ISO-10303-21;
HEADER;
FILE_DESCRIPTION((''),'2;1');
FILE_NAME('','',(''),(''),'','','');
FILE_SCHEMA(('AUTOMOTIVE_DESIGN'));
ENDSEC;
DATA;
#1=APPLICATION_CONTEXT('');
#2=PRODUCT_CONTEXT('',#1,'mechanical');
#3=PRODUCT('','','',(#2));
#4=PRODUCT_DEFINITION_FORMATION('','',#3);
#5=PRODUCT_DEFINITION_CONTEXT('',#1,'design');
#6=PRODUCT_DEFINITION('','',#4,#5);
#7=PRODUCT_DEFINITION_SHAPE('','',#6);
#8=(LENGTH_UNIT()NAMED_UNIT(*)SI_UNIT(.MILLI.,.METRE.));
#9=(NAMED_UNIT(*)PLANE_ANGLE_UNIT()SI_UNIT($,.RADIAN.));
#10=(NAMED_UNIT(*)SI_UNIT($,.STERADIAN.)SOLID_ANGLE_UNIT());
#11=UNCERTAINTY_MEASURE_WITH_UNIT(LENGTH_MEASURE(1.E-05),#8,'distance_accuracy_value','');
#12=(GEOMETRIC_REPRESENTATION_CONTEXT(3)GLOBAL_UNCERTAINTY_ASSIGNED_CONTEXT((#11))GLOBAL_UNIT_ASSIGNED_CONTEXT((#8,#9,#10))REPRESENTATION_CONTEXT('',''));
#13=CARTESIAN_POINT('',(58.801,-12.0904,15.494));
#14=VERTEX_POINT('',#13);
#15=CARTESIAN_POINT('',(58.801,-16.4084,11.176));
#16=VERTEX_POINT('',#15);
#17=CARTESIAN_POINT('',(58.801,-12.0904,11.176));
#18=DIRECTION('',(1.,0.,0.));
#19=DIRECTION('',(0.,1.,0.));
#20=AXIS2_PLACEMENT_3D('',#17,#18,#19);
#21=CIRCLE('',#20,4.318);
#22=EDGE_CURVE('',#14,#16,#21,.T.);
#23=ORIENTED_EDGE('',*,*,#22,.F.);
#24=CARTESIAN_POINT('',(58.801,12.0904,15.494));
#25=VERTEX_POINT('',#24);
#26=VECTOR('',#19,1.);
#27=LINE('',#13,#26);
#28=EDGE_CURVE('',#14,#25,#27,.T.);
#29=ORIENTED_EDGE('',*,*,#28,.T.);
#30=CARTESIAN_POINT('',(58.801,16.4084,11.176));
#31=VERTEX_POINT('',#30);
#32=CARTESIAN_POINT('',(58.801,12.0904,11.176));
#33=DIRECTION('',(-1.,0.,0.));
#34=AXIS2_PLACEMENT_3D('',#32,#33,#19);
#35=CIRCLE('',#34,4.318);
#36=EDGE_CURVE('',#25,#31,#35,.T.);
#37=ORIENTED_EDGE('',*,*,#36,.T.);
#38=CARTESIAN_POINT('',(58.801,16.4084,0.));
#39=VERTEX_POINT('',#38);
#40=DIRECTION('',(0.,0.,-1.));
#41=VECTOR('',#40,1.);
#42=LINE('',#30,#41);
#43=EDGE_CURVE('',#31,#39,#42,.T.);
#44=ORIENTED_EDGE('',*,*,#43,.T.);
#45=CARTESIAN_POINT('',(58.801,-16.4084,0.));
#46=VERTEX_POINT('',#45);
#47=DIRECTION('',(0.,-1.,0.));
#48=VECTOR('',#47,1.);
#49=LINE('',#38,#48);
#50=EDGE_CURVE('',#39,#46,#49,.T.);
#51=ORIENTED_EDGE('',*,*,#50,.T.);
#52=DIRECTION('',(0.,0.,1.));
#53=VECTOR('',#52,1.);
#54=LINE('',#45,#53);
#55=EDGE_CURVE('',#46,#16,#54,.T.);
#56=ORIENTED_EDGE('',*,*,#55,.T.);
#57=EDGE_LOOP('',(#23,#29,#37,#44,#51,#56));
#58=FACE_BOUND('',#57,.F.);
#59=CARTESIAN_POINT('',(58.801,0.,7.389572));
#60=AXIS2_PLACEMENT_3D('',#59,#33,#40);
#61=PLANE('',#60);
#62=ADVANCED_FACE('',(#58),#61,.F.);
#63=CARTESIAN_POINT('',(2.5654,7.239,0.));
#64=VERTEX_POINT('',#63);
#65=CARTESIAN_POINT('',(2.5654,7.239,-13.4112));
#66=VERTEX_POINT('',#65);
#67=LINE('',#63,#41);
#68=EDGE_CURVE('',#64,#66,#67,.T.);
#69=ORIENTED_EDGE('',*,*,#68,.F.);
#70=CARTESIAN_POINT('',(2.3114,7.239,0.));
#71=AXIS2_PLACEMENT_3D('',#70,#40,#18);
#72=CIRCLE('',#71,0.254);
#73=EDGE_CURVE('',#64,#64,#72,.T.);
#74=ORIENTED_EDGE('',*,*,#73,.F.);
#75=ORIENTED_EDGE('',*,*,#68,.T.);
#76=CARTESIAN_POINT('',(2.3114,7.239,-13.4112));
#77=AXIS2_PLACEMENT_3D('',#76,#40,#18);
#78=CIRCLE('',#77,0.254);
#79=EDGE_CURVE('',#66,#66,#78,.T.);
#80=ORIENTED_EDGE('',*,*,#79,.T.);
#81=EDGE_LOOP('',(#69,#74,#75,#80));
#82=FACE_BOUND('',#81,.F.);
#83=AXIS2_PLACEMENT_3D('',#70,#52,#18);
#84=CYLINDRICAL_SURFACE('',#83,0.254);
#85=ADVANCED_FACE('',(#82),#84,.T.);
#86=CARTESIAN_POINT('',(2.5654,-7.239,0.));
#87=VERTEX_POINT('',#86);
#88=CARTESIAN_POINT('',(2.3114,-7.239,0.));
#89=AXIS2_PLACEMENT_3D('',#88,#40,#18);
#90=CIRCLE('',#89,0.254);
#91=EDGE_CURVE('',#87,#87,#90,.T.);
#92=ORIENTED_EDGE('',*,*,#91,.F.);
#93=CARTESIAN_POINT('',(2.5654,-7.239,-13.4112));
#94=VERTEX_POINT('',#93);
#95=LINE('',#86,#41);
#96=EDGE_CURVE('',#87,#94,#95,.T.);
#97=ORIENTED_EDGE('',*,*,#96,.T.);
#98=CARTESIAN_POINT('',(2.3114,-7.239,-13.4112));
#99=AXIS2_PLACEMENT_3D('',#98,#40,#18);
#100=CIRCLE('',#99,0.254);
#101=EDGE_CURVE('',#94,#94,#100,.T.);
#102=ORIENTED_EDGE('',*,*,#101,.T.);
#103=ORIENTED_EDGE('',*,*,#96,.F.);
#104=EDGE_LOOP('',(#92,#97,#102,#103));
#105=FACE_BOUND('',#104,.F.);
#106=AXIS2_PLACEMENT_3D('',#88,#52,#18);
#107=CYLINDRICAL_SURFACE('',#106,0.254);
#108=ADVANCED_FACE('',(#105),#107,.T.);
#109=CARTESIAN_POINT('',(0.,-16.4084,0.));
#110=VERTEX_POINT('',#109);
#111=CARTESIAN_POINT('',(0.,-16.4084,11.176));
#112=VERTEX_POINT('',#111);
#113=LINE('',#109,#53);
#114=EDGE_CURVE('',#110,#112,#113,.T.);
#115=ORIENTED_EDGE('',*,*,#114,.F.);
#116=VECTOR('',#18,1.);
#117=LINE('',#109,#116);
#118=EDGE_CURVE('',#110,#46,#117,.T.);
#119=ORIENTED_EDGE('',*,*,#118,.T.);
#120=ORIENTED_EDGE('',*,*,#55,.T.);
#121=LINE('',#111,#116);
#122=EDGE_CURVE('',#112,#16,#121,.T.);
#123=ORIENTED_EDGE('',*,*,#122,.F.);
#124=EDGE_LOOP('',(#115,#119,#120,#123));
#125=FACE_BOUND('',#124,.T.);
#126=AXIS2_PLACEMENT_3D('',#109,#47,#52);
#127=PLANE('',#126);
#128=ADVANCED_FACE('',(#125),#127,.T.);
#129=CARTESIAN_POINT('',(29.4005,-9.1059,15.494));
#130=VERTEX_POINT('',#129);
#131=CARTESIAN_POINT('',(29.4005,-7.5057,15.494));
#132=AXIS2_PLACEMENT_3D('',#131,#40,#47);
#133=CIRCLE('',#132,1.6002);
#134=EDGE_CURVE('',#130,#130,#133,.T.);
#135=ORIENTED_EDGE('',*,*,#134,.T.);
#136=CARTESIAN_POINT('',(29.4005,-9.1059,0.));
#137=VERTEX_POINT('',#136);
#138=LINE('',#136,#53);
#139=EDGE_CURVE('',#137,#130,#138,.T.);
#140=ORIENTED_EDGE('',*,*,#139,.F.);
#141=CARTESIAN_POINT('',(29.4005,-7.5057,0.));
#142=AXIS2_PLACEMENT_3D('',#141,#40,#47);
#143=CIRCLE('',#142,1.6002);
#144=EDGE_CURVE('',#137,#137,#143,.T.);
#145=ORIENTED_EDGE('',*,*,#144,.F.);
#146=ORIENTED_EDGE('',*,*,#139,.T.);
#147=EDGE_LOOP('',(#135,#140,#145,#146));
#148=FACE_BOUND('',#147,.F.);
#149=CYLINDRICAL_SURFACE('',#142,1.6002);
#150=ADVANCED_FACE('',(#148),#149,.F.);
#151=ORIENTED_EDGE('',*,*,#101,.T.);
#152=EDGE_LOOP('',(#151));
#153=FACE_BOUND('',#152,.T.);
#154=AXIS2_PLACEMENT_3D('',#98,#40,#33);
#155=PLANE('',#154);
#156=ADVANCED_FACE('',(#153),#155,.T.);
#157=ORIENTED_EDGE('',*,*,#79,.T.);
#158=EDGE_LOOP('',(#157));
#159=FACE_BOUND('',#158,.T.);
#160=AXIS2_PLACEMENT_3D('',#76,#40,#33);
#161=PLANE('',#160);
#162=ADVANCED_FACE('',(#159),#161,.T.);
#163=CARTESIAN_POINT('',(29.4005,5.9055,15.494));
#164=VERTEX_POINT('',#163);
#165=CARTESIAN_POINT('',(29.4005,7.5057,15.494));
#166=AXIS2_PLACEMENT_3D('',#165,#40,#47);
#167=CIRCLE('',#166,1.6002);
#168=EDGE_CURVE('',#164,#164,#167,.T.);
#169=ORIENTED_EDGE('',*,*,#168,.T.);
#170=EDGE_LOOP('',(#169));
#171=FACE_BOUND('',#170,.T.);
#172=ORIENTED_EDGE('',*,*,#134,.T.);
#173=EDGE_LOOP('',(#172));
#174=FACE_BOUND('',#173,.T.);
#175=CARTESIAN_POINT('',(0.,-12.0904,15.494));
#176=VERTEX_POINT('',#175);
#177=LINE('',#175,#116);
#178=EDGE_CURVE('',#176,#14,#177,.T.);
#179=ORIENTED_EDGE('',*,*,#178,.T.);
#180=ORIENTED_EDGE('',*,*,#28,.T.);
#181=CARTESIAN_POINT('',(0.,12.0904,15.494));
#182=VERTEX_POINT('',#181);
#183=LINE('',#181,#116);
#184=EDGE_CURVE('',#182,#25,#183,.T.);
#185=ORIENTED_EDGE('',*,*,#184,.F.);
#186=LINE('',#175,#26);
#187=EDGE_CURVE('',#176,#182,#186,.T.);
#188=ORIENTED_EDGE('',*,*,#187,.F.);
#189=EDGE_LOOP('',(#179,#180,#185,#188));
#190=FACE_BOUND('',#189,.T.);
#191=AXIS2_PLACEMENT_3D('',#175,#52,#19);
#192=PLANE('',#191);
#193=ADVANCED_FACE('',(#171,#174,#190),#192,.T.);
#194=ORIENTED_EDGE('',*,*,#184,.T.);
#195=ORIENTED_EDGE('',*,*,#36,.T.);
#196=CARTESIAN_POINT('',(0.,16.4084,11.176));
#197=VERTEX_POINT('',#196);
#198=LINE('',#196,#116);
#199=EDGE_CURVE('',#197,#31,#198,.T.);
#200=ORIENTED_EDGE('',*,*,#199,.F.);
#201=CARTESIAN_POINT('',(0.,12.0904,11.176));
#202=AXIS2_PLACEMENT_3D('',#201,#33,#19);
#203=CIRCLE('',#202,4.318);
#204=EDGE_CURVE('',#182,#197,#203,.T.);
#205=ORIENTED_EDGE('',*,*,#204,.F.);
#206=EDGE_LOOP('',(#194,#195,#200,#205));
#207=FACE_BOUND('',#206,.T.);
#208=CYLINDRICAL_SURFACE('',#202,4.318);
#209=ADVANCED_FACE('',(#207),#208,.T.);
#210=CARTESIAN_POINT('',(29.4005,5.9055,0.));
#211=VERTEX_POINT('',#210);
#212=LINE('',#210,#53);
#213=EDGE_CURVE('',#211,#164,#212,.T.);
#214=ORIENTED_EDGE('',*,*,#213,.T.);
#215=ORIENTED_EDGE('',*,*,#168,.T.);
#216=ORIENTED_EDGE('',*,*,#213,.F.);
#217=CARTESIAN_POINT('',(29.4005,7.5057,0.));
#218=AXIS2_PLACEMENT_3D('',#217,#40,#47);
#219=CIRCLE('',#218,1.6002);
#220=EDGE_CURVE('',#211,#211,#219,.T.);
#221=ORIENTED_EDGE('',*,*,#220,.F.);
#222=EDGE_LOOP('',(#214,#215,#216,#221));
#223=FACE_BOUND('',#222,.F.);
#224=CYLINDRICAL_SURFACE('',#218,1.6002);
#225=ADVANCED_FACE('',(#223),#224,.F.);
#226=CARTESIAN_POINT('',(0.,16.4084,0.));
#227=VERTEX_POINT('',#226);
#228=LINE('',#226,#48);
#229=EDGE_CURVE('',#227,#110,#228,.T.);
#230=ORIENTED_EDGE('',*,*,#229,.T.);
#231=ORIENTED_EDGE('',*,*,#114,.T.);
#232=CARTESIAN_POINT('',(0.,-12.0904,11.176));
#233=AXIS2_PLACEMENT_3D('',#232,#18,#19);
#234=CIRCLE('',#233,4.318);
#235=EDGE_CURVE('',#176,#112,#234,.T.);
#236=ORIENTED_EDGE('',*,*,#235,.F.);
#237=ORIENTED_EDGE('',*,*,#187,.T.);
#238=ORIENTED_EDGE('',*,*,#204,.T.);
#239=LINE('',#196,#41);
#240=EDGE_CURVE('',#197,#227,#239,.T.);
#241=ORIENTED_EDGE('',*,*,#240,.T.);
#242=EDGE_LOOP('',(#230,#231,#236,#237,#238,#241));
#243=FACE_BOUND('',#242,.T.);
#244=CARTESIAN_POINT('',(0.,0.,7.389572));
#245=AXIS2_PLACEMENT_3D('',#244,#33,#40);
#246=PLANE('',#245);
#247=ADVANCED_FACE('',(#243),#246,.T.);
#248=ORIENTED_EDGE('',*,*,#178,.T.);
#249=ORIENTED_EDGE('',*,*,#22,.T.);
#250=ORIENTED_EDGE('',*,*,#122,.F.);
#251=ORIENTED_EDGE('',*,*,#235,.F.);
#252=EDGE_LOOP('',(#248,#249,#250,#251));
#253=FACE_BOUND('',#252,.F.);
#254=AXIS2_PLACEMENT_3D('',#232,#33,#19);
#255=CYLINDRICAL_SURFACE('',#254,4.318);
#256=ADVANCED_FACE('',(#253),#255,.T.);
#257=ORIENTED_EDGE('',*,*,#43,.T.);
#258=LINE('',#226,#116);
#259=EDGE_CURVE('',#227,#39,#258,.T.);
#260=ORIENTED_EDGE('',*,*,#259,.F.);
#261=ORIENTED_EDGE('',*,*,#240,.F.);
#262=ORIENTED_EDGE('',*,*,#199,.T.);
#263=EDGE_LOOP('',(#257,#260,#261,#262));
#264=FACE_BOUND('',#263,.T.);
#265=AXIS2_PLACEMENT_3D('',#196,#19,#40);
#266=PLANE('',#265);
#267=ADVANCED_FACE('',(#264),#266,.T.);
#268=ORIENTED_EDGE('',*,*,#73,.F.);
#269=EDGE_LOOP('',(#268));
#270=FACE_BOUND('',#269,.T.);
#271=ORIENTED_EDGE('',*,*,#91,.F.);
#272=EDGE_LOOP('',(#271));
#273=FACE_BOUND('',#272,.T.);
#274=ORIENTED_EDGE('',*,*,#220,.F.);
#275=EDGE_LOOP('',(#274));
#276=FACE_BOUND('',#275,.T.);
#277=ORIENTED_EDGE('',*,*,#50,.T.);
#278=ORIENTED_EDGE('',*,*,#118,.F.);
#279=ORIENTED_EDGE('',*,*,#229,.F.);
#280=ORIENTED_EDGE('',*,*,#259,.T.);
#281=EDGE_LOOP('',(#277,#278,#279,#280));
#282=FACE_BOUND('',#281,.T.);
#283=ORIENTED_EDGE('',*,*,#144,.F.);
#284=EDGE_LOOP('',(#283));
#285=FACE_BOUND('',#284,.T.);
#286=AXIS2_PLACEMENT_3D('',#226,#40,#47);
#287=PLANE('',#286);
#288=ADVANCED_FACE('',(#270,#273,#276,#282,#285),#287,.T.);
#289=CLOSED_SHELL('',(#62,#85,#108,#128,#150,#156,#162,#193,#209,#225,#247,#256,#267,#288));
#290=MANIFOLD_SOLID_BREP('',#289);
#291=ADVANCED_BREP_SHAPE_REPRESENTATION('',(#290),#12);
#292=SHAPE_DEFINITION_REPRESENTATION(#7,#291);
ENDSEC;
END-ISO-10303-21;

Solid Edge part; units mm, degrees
sketch "Sketch1" plane through (0, 0, 0) normal (1, 0, 0) x (0, 1, 0)
  line L0 (-16.4084, 0) -> (-16.4084, 11.176)
  arc A0 (-12.0904, 15.494) -> (-16.4084, 11.176) centre (-12.0904, 11.176) ccw
  line L1 (-12.0904, 15.494) -> (12.0904, 15.494)
  arc A1 (12.0904, 15.494) -> (16.4084, 11.176) centre (12.0904, 11.176) cw
  line L2 (16.4084, 11.176) -> (16.4084, 0)
  line L3 (16.4084, 0) -> (-16.4084, 0)
extrude "Protrusion1" add sketch "Sketch1" along normal blind 58.801
sketch "Sketch2" plane through (29.4005, 0, 0) normal (0, 0, -1) x (1, 0, 0)
  circle A0 centre (-27.0891, -7.239) radius 0.254
  circle A1 centre (-27.0891, 7.239) radius 0.254
  dimension "D1" = 0.508
  dimension "D2" = 14.478
  dimension "D3" = 2.3114
extrude "ExtrudedProtrusion_2" add sketch "Sketch2" along normal blind 13.4112
sketch "Sketch3" plane through (29.4005, 0, 0) normal (0, 0, -1) x (0, -1, 0)
  circle A0 centre (-7.5057, 0) radius 1.6002
  circle A1 centre (7.5057, 0) radius 1.6002
  dimension "D1" = 3.2004
  dimension "D2" = 15.0114
extrude "Cutout1" cut sketch "Sketch3" against normal through all
